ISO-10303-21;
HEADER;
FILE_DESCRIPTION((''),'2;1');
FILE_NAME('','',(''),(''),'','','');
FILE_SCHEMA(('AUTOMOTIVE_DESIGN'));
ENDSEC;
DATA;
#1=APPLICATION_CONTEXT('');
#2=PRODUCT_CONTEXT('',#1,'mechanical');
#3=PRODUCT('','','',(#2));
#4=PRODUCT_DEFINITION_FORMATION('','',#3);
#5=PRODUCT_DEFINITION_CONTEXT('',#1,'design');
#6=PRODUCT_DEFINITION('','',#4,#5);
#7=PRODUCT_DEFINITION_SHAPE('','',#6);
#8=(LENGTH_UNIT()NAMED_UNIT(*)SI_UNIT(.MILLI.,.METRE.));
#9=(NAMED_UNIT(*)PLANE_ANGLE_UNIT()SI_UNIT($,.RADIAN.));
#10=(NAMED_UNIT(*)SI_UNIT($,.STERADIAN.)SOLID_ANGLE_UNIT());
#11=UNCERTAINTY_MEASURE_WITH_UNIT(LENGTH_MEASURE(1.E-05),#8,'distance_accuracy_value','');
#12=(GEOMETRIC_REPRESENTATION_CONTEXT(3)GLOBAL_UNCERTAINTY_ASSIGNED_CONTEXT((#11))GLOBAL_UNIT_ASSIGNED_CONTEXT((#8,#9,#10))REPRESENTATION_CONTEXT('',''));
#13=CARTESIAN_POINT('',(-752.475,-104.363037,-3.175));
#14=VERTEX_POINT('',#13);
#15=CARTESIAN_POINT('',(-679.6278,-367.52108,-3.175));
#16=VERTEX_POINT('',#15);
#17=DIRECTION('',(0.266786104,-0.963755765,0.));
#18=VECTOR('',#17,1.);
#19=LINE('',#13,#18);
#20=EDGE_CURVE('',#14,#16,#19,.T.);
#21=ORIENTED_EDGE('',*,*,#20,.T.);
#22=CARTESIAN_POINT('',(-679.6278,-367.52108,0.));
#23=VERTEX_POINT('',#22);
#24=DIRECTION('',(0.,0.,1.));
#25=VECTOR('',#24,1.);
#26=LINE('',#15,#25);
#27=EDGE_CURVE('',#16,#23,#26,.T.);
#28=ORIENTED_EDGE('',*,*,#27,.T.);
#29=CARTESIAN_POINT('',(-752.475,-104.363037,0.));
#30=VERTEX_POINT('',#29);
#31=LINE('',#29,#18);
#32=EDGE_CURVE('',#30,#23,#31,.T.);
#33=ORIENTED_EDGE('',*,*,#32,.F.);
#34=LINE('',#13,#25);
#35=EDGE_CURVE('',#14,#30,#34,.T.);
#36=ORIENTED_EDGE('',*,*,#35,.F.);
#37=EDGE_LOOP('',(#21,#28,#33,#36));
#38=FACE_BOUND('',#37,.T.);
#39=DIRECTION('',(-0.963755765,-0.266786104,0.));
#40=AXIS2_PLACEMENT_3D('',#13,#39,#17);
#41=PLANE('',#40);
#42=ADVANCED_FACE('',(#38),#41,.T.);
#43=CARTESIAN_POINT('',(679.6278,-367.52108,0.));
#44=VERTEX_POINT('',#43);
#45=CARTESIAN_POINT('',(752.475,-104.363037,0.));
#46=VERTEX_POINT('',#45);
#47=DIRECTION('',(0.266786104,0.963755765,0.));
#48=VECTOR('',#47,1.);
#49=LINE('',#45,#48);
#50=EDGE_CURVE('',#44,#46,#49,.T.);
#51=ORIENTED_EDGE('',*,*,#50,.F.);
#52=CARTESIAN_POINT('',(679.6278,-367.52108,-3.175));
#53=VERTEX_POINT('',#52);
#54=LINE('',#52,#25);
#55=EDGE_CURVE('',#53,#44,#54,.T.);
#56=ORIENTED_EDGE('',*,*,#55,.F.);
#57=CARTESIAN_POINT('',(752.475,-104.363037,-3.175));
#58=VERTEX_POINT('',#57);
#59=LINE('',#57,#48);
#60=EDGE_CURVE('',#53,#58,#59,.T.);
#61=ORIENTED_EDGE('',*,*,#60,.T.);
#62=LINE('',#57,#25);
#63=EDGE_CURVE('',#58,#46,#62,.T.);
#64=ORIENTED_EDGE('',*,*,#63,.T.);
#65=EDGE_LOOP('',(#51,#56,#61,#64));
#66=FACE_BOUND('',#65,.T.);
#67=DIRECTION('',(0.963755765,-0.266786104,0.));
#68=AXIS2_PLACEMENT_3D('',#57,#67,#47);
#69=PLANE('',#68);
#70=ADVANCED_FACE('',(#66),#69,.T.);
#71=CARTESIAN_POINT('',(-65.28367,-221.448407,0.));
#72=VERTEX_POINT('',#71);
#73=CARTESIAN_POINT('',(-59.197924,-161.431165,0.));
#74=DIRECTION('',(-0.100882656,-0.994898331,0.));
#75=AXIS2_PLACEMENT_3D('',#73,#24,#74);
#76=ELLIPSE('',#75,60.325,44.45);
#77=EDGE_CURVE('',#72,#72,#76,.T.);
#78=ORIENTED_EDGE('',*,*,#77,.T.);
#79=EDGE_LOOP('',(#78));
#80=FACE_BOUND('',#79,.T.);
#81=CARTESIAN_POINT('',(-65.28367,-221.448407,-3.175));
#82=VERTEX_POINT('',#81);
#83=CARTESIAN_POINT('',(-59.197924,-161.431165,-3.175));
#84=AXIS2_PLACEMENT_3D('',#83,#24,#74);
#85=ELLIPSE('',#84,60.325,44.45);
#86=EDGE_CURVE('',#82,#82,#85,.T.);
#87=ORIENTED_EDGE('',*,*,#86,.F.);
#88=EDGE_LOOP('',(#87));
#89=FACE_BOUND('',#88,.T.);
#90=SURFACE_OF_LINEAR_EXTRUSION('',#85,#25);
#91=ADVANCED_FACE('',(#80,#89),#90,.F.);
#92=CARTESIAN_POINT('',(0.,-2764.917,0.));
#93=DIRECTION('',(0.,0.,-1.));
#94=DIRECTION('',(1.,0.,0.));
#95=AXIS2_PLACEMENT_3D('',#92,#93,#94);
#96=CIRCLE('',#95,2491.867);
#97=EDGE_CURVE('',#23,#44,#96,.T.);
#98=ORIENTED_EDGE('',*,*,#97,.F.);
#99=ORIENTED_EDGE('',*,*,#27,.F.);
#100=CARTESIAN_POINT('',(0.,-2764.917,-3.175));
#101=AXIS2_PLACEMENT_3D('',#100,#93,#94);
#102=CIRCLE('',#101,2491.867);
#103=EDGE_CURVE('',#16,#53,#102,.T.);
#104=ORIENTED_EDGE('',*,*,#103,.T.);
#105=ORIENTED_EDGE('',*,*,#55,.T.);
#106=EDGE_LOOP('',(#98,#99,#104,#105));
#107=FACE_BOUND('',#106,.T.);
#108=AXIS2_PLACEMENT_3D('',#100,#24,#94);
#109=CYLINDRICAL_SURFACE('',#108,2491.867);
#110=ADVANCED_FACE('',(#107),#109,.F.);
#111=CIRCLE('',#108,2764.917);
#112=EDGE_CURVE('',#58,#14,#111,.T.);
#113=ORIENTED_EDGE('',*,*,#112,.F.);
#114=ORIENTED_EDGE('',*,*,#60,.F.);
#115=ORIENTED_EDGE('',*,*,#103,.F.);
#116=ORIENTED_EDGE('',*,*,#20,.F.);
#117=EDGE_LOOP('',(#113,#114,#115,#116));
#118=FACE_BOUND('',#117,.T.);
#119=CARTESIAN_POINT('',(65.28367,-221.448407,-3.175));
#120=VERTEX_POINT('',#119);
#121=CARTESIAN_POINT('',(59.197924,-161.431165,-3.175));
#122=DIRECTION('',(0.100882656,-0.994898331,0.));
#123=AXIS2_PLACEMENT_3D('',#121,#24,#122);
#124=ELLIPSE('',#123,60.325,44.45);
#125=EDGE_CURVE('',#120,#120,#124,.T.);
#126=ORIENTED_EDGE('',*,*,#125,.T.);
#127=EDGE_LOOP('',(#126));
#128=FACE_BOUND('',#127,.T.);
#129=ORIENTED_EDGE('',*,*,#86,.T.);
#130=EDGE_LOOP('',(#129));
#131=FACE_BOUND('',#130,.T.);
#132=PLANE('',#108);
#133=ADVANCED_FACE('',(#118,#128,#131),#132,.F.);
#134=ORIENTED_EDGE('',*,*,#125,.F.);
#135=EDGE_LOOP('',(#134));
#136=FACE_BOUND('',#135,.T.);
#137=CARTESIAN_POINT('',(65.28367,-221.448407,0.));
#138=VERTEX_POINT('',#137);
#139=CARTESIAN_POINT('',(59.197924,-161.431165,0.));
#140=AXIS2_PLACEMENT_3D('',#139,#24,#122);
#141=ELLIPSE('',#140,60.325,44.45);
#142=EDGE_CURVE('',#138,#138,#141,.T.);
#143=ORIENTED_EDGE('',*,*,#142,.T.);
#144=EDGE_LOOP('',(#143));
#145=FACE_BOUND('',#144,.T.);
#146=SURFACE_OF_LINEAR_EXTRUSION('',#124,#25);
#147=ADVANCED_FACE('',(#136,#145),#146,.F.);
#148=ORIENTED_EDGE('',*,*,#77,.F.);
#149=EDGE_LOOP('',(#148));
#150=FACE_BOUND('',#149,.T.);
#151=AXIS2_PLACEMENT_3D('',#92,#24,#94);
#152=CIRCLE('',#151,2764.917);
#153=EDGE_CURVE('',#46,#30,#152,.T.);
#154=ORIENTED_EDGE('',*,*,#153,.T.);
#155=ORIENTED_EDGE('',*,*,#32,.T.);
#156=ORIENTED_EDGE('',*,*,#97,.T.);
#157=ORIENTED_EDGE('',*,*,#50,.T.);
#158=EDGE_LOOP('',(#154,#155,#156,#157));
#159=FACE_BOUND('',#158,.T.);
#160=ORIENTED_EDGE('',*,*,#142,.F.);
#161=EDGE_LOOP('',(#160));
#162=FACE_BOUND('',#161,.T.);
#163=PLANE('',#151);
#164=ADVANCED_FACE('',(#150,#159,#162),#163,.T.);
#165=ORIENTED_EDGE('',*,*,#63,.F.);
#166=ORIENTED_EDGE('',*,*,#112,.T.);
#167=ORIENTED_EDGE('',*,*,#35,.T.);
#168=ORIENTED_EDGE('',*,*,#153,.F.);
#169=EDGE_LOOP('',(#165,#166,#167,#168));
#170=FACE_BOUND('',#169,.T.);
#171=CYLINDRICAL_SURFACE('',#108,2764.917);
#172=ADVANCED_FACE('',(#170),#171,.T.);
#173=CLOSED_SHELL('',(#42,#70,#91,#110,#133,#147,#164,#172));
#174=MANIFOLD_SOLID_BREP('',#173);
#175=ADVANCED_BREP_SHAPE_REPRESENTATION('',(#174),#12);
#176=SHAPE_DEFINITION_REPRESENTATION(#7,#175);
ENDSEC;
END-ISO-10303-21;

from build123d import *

# Parameters (mm, degrees)
SKETCH1_RX         = 60.325
SKETCH1_RY         = 44.45
BASE_EXTRUDE_DEPTH = 3.175


with BuildPart() as part:
    # Sketch1 → Base-Extrude (new body)
    with BuildSketch(Plane.XY):
        with BuildLine():
            Line((-752.475, -104.363036769), (-679.6278, -367.521079599))
            ThreePointArc((-679.6278, -367.521079599), (0, -273.05), (679.6278, -367.521079599))
            Line((679.6278, -367.521079599), (752.475, -104.363036769))
            ThreePointArc((752.475, -104.363036769), (0, 0), (-752.475, -104.363036769))
        make_face()
        with Locations(Location((-59.197924106, -161.431165366), (0, 0, -95.79))):
            Ellipse(SKETCH1_RX, SKETCH1_RY, mode=Mode.SUBTRACT)
        with Locations(Location((59.197924106, -161.431165366), (0, 0, -84.21))):
            Ellipse(SKETCH1_RX, SKETCH1_RY, mode=Mode.SUBTRACT)
    extrude(amount=-BASE_EXTRUDE_DEPTH)


solid = part.part
